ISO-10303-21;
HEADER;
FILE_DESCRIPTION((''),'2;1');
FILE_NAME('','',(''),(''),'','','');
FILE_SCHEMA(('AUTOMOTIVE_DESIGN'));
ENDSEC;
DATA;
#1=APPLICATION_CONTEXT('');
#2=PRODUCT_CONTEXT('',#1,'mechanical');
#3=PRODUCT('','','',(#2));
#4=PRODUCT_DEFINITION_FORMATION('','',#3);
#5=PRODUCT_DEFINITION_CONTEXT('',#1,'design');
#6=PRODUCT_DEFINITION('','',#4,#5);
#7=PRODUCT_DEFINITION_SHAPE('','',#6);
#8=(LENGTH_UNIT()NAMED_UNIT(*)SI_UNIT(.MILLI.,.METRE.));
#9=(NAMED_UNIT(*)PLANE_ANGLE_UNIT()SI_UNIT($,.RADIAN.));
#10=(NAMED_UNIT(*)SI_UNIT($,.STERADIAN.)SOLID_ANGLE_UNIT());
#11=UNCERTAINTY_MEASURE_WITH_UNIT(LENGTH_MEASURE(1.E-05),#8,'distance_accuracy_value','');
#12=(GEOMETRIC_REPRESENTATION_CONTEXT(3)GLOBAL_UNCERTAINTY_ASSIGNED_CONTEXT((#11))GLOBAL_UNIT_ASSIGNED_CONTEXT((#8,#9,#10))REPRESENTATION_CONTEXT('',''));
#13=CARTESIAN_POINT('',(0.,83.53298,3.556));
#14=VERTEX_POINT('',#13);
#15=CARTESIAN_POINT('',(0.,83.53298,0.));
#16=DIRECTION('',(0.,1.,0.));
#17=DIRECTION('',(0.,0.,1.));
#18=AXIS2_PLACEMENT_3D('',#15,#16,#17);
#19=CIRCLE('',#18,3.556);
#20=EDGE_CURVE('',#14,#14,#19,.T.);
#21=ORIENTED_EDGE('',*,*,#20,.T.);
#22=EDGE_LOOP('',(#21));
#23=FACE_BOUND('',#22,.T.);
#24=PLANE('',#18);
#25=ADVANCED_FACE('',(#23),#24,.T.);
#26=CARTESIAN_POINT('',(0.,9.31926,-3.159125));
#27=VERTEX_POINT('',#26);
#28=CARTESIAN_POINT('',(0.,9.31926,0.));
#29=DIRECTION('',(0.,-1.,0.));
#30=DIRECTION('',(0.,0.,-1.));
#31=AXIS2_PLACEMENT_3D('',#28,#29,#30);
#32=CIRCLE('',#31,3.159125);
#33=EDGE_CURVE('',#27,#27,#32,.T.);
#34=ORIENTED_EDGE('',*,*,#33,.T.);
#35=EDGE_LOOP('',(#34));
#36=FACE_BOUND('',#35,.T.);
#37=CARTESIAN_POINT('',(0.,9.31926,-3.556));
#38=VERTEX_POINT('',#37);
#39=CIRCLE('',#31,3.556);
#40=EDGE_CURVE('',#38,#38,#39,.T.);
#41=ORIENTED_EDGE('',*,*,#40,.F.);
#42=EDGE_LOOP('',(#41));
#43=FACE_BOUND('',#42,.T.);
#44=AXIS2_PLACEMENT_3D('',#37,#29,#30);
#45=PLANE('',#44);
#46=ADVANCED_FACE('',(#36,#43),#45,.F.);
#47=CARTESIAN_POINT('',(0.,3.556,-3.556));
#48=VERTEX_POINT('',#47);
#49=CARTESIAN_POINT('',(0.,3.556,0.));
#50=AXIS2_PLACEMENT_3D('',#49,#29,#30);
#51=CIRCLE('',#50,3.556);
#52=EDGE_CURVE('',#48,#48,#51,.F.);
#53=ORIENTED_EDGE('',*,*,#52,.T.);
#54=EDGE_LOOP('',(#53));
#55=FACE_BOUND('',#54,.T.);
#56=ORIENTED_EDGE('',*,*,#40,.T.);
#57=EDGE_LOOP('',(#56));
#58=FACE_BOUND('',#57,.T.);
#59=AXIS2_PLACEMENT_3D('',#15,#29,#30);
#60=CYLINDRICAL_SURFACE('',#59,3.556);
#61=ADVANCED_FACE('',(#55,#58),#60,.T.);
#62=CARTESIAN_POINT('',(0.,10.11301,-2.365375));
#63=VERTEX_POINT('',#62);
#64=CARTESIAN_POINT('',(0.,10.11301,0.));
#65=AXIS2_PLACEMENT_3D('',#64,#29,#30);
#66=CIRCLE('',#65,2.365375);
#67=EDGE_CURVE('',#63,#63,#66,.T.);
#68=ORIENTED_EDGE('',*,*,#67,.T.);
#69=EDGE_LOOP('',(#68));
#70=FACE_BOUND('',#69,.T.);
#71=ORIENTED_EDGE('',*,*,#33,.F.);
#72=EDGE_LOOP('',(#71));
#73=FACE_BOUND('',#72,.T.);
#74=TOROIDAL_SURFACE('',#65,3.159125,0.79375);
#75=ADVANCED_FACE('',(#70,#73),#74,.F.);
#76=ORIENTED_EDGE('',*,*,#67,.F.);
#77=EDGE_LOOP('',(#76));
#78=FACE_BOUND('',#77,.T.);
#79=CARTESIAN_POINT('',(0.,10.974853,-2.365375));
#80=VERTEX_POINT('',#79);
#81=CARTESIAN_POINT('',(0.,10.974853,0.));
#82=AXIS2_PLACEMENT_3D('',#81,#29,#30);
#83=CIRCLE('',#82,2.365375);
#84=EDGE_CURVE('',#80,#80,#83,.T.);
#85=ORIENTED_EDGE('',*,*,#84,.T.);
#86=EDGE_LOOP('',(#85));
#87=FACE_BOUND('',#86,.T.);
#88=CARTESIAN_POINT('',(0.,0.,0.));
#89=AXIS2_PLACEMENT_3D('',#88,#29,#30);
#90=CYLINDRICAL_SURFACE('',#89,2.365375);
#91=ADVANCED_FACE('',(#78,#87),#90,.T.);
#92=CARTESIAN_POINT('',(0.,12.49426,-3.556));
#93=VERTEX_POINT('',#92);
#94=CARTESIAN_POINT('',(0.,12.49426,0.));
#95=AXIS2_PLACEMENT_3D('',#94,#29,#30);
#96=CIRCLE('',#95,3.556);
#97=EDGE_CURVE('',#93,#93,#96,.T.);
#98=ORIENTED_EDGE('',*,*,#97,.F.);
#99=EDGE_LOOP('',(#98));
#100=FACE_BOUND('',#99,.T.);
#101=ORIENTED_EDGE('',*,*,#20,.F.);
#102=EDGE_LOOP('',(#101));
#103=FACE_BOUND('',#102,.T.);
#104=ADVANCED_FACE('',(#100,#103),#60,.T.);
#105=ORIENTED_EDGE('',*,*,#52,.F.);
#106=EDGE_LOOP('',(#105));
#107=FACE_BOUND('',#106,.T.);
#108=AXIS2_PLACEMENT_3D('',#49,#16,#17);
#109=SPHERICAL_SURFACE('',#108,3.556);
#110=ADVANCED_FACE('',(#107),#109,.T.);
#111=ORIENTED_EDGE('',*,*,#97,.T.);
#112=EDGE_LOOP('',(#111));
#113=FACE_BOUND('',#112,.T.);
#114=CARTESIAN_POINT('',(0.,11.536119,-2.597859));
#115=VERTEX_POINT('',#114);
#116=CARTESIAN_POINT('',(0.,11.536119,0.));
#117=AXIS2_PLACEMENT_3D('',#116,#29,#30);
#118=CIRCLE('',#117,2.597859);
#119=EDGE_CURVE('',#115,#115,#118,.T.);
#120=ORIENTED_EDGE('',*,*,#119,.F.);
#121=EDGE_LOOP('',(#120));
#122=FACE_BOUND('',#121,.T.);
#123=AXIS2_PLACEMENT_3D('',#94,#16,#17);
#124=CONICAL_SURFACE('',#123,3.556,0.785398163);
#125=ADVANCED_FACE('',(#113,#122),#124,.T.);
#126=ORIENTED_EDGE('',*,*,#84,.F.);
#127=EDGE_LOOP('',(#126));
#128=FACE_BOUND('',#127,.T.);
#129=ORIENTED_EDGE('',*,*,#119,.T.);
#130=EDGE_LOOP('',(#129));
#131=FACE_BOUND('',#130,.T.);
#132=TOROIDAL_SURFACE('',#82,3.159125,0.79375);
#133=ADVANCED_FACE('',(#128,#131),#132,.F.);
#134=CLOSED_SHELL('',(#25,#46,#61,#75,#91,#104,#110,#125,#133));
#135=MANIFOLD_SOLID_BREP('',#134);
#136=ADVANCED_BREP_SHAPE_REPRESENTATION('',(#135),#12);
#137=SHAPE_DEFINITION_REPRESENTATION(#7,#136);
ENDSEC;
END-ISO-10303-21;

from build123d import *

# Parameters (mm, degrees)
SKETCH1_R           = 3.556
BOSS_EXTRUDE1_DEPTH = 83.53298
FILLET1_R           = 3.556


with BuildPart() as part:
    # Sketch1 → Boss-Extrude1 (new body)
    with BuildSketch(Plane(origin=(0, 0, 0), x_dir=(1, 0, 0), z_dir=(0, 1, 0))):
        with Locations(Location((0, 0, 0), (0, 0, 270))):
            Circle(SKETCH1_R)
    extrude(amount=BOSS_EXTRUDE1_DEPTH)

    # Sketch2 → Cut-Revolve2 (revolve, cut)
    with BuildSketch(Plane(origin=(0, 100.014806598, -21.087436426), x_dir=(0, -1, 0), z_dir=(1, 0, 0))):
        with BuildLine():
            Line((90.695546598, -17.531436426), (87.520546598, -17.531436426))
            Line((87.520546598, -17.531436426), (88.478687606, -18.489577434))
            ThreePointArc((88.478687606, -18.489577434), (88.736198639, -18.661640805), (89.039953613, -18.722061426))
            Line((89.039953613, -18.722061426), (89.901796598, -18.722061426))
            ThreePointArc((89.901796598, -18.722061426), (90.463062606, -18.489577434), (90.695546598, -17.928311426))
            Line((90.695546598, -17.928311426), (90.695546598, -17.531436426))
        make_face()
    revolve(axis=Axis((0, 0, 0), (0, 1, 0)), mode=Mode.SUBTRACT)

    # Fillet1
    fillet1_edges = [part.edges().sort_by_distance(p)[0] for p in [
        (0, 0, -3.556),
    ]]
    fillet(fillet1_edges, radius=FILLET1_R)


solid = part.part
